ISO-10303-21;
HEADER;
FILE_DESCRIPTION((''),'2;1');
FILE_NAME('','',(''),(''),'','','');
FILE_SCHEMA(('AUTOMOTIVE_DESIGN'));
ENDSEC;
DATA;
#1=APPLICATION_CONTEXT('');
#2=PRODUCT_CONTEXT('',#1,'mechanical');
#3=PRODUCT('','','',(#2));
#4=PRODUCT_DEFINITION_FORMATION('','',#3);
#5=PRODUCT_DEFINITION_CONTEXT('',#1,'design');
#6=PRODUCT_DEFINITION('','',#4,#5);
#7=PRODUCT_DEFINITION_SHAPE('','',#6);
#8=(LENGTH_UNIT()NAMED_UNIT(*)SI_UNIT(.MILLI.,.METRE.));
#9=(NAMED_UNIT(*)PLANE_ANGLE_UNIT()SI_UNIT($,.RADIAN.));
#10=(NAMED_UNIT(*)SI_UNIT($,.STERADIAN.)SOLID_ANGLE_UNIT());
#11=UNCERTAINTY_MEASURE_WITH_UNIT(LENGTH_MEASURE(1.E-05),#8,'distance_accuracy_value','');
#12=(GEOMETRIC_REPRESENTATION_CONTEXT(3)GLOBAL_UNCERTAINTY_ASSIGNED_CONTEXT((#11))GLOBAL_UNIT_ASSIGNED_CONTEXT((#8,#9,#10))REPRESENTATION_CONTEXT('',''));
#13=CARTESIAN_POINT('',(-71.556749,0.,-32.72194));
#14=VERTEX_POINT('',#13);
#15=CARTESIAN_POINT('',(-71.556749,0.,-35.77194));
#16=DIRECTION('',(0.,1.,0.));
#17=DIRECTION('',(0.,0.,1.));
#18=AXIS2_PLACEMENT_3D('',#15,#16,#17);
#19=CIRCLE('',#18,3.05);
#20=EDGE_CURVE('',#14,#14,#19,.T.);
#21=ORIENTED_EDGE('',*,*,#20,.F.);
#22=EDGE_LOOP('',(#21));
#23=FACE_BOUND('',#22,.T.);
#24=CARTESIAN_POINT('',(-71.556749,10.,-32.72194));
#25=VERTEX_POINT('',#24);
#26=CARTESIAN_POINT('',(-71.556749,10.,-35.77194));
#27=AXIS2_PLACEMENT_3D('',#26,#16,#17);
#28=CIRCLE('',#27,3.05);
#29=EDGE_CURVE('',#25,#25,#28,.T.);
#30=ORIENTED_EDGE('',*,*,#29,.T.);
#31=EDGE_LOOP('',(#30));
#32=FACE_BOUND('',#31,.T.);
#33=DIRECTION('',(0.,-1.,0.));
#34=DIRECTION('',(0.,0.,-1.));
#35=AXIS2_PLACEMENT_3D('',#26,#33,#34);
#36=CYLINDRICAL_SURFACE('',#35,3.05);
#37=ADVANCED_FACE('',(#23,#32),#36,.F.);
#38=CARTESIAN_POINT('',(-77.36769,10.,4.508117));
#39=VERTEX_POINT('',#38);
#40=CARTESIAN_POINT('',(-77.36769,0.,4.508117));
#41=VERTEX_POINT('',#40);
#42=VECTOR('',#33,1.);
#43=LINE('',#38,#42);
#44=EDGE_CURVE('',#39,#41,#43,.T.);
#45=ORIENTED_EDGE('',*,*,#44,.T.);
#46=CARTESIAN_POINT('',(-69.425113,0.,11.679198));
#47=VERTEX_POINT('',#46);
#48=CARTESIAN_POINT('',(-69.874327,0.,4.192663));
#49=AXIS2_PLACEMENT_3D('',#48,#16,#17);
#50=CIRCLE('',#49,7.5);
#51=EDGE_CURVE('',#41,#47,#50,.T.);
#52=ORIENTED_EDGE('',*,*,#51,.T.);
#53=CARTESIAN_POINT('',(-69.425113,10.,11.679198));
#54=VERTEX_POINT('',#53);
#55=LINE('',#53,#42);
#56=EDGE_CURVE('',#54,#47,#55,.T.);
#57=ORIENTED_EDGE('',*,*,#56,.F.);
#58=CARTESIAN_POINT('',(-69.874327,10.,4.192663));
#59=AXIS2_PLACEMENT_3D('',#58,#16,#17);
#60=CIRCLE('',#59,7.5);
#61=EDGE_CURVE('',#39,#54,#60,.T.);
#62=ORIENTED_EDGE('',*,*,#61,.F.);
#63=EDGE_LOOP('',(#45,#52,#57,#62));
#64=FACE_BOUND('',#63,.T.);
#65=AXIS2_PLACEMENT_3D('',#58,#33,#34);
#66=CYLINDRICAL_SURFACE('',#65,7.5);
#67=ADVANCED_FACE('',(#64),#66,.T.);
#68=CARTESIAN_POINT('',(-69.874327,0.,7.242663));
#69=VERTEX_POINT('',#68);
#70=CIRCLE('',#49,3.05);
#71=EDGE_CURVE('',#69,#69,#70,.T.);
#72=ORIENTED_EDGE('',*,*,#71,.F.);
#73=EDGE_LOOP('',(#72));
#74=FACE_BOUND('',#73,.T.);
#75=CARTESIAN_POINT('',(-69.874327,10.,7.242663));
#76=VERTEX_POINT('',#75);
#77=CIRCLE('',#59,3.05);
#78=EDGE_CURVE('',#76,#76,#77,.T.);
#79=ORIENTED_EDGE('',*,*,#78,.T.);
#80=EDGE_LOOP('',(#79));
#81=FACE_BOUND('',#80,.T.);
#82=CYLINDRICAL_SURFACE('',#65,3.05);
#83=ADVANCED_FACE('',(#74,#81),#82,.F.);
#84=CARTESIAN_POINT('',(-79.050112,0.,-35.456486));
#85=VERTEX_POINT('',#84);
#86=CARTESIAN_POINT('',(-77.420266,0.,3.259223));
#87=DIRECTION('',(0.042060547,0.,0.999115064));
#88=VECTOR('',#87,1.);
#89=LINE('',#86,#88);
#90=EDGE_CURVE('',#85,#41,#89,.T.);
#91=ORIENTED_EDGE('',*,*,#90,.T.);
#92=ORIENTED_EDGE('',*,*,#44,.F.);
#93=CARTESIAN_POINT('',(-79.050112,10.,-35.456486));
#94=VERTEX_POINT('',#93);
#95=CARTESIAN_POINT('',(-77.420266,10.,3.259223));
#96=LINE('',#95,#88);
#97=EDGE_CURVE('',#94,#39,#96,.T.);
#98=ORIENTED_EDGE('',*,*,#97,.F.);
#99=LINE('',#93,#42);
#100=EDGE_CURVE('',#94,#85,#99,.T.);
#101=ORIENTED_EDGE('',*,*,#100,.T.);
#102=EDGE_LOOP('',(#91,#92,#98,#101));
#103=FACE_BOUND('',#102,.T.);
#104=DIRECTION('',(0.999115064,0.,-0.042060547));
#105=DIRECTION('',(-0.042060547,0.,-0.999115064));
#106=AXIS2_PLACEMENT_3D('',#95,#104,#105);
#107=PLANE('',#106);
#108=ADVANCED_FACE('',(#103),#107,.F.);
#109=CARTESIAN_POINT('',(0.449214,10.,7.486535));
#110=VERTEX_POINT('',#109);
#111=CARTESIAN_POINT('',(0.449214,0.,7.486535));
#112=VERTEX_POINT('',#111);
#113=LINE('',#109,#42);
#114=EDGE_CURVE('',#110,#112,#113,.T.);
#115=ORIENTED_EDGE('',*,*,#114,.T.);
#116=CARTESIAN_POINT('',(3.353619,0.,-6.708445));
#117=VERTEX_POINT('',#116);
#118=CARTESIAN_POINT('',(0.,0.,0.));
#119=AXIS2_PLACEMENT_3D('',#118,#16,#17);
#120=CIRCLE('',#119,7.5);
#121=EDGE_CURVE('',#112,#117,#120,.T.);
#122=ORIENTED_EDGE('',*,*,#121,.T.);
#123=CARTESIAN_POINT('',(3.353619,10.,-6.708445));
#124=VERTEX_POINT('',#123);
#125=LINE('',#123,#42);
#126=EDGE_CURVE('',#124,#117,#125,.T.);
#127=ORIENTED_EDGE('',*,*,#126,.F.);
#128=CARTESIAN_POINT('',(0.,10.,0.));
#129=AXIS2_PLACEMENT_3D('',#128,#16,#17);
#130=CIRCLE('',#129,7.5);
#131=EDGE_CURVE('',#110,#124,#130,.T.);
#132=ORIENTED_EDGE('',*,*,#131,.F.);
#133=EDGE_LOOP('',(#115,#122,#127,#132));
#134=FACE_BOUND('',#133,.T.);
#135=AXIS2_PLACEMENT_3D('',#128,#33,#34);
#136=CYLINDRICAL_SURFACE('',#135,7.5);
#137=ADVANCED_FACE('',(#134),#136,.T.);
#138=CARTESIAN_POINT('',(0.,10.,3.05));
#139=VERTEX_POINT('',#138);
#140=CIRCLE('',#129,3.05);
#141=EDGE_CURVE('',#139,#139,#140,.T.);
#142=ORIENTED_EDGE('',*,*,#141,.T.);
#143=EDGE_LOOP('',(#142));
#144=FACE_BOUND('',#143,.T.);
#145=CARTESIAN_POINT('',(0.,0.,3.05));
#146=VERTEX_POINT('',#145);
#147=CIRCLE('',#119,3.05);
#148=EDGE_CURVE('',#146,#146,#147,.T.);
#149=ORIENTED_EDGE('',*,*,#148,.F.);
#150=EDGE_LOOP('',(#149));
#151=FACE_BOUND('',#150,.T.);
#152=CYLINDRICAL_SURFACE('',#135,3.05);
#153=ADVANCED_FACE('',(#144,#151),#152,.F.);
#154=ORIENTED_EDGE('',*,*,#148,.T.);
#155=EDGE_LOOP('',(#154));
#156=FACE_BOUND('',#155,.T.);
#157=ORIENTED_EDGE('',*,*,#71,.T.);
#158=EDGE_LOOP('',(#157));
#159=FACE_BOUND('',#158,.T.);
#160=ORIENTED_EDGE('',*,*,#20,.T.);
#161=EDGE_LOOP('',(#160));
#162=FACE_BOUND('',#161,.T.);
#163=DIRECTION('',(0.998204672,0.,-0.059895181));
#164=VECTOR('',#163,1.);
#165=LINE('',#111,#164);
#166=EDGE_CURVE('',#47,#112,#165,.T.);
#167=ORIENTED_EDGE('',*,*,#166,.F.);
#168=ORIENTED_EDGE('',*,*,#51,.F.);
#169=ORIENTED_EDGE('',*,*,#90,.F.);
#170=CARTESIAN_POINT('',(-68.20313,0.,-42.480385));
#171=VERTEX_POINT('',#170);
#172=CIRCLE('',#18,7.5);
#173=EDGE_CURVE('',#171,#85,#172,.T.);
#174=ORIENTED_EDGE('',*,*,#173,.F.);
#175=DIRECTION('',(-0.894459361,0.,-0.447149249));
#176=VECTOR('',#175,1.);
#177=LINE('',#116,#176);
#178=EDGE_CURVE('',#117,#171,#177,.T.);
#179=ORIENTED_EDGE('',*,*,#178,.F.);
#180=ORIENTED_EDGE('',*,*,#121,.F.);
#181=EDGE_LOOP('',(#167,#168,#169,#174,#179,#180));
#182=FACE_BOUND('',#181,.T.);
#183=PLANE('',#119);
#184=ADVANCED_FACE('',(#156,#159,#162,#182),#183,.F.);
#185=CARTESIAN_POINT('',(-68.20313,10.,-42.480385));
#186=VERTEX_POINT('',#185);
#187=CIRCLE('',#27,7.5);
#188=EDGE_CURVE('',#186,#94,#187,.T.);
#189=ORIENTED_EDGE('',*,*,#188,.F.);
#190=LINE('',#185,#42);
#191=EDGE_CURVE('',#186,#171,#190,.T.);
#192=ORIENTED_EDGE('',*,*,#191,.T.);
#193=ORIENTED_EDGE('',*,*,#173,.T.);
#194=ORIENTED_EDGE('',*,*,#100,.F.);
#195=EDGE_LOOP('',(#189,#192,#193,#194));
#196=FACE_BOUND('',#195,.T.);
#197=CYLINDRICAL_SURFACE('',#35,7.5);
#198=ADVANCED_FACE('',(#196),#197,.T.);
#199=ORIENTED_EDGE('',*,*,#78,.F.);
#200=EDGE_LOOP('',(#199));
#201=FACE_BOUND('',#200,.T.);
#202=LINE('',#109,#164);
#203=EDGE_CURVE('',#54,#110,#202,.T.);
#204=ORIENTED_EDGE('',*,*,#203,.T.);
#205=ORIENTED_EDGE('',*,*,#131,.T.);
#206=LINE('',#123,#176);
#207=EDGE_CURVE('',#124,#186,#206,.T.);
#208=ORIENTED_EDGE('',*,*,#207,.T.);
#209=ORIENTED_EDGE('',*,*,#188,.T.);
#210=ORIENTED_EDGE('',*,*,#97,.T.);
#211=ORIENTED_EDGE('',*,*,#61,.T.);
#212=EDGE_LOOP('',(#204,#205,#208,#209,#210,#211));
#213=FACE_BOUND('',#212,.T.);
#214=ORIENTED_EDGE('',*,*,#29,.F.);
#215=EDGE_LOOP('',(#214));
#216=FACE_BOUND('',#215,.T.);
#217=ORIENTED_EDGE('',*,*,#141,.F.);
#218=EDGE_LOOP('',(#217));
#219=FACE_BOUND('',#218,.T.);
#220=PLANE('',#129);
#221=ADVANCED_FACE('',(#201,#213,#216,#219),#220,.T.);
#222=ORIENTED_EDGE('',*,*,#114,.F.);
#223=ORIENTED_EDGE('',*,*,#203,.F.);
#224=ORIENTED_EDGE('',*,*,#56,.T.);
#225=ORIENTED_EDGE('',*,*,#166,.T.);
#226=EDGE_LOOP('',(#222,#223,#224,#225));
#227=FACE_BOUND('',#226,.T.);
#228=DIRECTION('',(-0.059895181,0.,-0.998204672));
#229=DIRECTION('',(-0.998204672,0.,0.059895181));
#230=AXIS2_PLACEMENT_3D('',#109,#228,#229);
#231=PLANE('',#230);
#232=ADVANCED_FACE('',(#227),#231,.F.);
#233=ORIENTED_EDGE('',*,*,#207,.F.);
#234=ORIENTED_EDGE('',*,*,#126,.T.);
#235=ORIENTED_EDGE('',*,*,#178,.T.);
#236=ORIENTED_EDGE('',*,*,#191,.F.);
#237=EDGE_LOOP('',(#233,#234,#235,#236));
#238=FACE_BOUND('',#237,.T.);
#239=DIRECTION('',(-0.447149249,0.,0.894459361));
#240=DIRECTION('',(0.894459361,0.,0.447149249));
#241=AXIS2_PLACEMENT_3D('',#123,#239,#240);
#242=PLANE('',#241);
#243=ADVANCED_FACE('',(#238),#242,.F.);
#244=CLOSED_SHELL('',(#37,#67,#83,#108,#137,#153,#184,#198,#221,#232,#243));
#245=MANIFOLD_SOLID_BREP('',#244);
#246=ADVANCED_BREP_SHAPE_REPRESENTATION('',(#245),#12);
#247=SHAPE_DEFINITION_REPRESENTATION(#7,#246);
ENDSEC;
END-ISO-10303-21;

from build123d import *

# Parameters (mm, degrees)
SKETCH1_R           = 3.05
BOSS_EXTRUDE1_DEPTH = 10


with BuildPart() as part:
    # Sketch1 → Boss-Extrude1 (new body)
    with BuildSketch(Plane(origin=(0, 0, 0), x_dir=(1, 0, 0), z_dir=(0, 1, 0))):
        with BuildLine():
            Line((3.353619366, 6.708445211), (-68.203129549, 42.480385117))
            ThreePointArc((-68.203129549, 42.480385117), (-75.633286622, 42.067322367), (-79.050111893, 35.456485806))
            Line((-79.050111893, 35.456485806), (-77.367690022, -4.50811674))
            ThreePointArc((-77.367690022, -4.50811674), (-74.900370188, -9.759429234), (-69.425113191, -11.67919768))
            Line((-69.425113191, -11.67919768), (0.449213854, -7.486535041))
            ThreePointArc((0.449213854, -7.486535041), (7.347771853, -1.503412382), (3.353619366, 6.708445211))
        make_face()
        with Locations(Location((-71.556748915, 35.771939906, 0), (0, 0, 270))):
            Circle(SKETCH1_R, mode=Mode.SUBTRACT)
        with Locations(Location((-69.874327045, -4.19266264, 0), (0, 0, 270))):
            Circle(SKETCH1_R, mode=Mode.SUBTRACT)
        with Locations(Location((0, 0, 0), (0, 0, 270))):
            Circle(SKETCH1_R, mode=Mode.SUBTRACT)
    extrude(amount=BOSS_EXTRUDE1_DEPTH)


solid = part.part
